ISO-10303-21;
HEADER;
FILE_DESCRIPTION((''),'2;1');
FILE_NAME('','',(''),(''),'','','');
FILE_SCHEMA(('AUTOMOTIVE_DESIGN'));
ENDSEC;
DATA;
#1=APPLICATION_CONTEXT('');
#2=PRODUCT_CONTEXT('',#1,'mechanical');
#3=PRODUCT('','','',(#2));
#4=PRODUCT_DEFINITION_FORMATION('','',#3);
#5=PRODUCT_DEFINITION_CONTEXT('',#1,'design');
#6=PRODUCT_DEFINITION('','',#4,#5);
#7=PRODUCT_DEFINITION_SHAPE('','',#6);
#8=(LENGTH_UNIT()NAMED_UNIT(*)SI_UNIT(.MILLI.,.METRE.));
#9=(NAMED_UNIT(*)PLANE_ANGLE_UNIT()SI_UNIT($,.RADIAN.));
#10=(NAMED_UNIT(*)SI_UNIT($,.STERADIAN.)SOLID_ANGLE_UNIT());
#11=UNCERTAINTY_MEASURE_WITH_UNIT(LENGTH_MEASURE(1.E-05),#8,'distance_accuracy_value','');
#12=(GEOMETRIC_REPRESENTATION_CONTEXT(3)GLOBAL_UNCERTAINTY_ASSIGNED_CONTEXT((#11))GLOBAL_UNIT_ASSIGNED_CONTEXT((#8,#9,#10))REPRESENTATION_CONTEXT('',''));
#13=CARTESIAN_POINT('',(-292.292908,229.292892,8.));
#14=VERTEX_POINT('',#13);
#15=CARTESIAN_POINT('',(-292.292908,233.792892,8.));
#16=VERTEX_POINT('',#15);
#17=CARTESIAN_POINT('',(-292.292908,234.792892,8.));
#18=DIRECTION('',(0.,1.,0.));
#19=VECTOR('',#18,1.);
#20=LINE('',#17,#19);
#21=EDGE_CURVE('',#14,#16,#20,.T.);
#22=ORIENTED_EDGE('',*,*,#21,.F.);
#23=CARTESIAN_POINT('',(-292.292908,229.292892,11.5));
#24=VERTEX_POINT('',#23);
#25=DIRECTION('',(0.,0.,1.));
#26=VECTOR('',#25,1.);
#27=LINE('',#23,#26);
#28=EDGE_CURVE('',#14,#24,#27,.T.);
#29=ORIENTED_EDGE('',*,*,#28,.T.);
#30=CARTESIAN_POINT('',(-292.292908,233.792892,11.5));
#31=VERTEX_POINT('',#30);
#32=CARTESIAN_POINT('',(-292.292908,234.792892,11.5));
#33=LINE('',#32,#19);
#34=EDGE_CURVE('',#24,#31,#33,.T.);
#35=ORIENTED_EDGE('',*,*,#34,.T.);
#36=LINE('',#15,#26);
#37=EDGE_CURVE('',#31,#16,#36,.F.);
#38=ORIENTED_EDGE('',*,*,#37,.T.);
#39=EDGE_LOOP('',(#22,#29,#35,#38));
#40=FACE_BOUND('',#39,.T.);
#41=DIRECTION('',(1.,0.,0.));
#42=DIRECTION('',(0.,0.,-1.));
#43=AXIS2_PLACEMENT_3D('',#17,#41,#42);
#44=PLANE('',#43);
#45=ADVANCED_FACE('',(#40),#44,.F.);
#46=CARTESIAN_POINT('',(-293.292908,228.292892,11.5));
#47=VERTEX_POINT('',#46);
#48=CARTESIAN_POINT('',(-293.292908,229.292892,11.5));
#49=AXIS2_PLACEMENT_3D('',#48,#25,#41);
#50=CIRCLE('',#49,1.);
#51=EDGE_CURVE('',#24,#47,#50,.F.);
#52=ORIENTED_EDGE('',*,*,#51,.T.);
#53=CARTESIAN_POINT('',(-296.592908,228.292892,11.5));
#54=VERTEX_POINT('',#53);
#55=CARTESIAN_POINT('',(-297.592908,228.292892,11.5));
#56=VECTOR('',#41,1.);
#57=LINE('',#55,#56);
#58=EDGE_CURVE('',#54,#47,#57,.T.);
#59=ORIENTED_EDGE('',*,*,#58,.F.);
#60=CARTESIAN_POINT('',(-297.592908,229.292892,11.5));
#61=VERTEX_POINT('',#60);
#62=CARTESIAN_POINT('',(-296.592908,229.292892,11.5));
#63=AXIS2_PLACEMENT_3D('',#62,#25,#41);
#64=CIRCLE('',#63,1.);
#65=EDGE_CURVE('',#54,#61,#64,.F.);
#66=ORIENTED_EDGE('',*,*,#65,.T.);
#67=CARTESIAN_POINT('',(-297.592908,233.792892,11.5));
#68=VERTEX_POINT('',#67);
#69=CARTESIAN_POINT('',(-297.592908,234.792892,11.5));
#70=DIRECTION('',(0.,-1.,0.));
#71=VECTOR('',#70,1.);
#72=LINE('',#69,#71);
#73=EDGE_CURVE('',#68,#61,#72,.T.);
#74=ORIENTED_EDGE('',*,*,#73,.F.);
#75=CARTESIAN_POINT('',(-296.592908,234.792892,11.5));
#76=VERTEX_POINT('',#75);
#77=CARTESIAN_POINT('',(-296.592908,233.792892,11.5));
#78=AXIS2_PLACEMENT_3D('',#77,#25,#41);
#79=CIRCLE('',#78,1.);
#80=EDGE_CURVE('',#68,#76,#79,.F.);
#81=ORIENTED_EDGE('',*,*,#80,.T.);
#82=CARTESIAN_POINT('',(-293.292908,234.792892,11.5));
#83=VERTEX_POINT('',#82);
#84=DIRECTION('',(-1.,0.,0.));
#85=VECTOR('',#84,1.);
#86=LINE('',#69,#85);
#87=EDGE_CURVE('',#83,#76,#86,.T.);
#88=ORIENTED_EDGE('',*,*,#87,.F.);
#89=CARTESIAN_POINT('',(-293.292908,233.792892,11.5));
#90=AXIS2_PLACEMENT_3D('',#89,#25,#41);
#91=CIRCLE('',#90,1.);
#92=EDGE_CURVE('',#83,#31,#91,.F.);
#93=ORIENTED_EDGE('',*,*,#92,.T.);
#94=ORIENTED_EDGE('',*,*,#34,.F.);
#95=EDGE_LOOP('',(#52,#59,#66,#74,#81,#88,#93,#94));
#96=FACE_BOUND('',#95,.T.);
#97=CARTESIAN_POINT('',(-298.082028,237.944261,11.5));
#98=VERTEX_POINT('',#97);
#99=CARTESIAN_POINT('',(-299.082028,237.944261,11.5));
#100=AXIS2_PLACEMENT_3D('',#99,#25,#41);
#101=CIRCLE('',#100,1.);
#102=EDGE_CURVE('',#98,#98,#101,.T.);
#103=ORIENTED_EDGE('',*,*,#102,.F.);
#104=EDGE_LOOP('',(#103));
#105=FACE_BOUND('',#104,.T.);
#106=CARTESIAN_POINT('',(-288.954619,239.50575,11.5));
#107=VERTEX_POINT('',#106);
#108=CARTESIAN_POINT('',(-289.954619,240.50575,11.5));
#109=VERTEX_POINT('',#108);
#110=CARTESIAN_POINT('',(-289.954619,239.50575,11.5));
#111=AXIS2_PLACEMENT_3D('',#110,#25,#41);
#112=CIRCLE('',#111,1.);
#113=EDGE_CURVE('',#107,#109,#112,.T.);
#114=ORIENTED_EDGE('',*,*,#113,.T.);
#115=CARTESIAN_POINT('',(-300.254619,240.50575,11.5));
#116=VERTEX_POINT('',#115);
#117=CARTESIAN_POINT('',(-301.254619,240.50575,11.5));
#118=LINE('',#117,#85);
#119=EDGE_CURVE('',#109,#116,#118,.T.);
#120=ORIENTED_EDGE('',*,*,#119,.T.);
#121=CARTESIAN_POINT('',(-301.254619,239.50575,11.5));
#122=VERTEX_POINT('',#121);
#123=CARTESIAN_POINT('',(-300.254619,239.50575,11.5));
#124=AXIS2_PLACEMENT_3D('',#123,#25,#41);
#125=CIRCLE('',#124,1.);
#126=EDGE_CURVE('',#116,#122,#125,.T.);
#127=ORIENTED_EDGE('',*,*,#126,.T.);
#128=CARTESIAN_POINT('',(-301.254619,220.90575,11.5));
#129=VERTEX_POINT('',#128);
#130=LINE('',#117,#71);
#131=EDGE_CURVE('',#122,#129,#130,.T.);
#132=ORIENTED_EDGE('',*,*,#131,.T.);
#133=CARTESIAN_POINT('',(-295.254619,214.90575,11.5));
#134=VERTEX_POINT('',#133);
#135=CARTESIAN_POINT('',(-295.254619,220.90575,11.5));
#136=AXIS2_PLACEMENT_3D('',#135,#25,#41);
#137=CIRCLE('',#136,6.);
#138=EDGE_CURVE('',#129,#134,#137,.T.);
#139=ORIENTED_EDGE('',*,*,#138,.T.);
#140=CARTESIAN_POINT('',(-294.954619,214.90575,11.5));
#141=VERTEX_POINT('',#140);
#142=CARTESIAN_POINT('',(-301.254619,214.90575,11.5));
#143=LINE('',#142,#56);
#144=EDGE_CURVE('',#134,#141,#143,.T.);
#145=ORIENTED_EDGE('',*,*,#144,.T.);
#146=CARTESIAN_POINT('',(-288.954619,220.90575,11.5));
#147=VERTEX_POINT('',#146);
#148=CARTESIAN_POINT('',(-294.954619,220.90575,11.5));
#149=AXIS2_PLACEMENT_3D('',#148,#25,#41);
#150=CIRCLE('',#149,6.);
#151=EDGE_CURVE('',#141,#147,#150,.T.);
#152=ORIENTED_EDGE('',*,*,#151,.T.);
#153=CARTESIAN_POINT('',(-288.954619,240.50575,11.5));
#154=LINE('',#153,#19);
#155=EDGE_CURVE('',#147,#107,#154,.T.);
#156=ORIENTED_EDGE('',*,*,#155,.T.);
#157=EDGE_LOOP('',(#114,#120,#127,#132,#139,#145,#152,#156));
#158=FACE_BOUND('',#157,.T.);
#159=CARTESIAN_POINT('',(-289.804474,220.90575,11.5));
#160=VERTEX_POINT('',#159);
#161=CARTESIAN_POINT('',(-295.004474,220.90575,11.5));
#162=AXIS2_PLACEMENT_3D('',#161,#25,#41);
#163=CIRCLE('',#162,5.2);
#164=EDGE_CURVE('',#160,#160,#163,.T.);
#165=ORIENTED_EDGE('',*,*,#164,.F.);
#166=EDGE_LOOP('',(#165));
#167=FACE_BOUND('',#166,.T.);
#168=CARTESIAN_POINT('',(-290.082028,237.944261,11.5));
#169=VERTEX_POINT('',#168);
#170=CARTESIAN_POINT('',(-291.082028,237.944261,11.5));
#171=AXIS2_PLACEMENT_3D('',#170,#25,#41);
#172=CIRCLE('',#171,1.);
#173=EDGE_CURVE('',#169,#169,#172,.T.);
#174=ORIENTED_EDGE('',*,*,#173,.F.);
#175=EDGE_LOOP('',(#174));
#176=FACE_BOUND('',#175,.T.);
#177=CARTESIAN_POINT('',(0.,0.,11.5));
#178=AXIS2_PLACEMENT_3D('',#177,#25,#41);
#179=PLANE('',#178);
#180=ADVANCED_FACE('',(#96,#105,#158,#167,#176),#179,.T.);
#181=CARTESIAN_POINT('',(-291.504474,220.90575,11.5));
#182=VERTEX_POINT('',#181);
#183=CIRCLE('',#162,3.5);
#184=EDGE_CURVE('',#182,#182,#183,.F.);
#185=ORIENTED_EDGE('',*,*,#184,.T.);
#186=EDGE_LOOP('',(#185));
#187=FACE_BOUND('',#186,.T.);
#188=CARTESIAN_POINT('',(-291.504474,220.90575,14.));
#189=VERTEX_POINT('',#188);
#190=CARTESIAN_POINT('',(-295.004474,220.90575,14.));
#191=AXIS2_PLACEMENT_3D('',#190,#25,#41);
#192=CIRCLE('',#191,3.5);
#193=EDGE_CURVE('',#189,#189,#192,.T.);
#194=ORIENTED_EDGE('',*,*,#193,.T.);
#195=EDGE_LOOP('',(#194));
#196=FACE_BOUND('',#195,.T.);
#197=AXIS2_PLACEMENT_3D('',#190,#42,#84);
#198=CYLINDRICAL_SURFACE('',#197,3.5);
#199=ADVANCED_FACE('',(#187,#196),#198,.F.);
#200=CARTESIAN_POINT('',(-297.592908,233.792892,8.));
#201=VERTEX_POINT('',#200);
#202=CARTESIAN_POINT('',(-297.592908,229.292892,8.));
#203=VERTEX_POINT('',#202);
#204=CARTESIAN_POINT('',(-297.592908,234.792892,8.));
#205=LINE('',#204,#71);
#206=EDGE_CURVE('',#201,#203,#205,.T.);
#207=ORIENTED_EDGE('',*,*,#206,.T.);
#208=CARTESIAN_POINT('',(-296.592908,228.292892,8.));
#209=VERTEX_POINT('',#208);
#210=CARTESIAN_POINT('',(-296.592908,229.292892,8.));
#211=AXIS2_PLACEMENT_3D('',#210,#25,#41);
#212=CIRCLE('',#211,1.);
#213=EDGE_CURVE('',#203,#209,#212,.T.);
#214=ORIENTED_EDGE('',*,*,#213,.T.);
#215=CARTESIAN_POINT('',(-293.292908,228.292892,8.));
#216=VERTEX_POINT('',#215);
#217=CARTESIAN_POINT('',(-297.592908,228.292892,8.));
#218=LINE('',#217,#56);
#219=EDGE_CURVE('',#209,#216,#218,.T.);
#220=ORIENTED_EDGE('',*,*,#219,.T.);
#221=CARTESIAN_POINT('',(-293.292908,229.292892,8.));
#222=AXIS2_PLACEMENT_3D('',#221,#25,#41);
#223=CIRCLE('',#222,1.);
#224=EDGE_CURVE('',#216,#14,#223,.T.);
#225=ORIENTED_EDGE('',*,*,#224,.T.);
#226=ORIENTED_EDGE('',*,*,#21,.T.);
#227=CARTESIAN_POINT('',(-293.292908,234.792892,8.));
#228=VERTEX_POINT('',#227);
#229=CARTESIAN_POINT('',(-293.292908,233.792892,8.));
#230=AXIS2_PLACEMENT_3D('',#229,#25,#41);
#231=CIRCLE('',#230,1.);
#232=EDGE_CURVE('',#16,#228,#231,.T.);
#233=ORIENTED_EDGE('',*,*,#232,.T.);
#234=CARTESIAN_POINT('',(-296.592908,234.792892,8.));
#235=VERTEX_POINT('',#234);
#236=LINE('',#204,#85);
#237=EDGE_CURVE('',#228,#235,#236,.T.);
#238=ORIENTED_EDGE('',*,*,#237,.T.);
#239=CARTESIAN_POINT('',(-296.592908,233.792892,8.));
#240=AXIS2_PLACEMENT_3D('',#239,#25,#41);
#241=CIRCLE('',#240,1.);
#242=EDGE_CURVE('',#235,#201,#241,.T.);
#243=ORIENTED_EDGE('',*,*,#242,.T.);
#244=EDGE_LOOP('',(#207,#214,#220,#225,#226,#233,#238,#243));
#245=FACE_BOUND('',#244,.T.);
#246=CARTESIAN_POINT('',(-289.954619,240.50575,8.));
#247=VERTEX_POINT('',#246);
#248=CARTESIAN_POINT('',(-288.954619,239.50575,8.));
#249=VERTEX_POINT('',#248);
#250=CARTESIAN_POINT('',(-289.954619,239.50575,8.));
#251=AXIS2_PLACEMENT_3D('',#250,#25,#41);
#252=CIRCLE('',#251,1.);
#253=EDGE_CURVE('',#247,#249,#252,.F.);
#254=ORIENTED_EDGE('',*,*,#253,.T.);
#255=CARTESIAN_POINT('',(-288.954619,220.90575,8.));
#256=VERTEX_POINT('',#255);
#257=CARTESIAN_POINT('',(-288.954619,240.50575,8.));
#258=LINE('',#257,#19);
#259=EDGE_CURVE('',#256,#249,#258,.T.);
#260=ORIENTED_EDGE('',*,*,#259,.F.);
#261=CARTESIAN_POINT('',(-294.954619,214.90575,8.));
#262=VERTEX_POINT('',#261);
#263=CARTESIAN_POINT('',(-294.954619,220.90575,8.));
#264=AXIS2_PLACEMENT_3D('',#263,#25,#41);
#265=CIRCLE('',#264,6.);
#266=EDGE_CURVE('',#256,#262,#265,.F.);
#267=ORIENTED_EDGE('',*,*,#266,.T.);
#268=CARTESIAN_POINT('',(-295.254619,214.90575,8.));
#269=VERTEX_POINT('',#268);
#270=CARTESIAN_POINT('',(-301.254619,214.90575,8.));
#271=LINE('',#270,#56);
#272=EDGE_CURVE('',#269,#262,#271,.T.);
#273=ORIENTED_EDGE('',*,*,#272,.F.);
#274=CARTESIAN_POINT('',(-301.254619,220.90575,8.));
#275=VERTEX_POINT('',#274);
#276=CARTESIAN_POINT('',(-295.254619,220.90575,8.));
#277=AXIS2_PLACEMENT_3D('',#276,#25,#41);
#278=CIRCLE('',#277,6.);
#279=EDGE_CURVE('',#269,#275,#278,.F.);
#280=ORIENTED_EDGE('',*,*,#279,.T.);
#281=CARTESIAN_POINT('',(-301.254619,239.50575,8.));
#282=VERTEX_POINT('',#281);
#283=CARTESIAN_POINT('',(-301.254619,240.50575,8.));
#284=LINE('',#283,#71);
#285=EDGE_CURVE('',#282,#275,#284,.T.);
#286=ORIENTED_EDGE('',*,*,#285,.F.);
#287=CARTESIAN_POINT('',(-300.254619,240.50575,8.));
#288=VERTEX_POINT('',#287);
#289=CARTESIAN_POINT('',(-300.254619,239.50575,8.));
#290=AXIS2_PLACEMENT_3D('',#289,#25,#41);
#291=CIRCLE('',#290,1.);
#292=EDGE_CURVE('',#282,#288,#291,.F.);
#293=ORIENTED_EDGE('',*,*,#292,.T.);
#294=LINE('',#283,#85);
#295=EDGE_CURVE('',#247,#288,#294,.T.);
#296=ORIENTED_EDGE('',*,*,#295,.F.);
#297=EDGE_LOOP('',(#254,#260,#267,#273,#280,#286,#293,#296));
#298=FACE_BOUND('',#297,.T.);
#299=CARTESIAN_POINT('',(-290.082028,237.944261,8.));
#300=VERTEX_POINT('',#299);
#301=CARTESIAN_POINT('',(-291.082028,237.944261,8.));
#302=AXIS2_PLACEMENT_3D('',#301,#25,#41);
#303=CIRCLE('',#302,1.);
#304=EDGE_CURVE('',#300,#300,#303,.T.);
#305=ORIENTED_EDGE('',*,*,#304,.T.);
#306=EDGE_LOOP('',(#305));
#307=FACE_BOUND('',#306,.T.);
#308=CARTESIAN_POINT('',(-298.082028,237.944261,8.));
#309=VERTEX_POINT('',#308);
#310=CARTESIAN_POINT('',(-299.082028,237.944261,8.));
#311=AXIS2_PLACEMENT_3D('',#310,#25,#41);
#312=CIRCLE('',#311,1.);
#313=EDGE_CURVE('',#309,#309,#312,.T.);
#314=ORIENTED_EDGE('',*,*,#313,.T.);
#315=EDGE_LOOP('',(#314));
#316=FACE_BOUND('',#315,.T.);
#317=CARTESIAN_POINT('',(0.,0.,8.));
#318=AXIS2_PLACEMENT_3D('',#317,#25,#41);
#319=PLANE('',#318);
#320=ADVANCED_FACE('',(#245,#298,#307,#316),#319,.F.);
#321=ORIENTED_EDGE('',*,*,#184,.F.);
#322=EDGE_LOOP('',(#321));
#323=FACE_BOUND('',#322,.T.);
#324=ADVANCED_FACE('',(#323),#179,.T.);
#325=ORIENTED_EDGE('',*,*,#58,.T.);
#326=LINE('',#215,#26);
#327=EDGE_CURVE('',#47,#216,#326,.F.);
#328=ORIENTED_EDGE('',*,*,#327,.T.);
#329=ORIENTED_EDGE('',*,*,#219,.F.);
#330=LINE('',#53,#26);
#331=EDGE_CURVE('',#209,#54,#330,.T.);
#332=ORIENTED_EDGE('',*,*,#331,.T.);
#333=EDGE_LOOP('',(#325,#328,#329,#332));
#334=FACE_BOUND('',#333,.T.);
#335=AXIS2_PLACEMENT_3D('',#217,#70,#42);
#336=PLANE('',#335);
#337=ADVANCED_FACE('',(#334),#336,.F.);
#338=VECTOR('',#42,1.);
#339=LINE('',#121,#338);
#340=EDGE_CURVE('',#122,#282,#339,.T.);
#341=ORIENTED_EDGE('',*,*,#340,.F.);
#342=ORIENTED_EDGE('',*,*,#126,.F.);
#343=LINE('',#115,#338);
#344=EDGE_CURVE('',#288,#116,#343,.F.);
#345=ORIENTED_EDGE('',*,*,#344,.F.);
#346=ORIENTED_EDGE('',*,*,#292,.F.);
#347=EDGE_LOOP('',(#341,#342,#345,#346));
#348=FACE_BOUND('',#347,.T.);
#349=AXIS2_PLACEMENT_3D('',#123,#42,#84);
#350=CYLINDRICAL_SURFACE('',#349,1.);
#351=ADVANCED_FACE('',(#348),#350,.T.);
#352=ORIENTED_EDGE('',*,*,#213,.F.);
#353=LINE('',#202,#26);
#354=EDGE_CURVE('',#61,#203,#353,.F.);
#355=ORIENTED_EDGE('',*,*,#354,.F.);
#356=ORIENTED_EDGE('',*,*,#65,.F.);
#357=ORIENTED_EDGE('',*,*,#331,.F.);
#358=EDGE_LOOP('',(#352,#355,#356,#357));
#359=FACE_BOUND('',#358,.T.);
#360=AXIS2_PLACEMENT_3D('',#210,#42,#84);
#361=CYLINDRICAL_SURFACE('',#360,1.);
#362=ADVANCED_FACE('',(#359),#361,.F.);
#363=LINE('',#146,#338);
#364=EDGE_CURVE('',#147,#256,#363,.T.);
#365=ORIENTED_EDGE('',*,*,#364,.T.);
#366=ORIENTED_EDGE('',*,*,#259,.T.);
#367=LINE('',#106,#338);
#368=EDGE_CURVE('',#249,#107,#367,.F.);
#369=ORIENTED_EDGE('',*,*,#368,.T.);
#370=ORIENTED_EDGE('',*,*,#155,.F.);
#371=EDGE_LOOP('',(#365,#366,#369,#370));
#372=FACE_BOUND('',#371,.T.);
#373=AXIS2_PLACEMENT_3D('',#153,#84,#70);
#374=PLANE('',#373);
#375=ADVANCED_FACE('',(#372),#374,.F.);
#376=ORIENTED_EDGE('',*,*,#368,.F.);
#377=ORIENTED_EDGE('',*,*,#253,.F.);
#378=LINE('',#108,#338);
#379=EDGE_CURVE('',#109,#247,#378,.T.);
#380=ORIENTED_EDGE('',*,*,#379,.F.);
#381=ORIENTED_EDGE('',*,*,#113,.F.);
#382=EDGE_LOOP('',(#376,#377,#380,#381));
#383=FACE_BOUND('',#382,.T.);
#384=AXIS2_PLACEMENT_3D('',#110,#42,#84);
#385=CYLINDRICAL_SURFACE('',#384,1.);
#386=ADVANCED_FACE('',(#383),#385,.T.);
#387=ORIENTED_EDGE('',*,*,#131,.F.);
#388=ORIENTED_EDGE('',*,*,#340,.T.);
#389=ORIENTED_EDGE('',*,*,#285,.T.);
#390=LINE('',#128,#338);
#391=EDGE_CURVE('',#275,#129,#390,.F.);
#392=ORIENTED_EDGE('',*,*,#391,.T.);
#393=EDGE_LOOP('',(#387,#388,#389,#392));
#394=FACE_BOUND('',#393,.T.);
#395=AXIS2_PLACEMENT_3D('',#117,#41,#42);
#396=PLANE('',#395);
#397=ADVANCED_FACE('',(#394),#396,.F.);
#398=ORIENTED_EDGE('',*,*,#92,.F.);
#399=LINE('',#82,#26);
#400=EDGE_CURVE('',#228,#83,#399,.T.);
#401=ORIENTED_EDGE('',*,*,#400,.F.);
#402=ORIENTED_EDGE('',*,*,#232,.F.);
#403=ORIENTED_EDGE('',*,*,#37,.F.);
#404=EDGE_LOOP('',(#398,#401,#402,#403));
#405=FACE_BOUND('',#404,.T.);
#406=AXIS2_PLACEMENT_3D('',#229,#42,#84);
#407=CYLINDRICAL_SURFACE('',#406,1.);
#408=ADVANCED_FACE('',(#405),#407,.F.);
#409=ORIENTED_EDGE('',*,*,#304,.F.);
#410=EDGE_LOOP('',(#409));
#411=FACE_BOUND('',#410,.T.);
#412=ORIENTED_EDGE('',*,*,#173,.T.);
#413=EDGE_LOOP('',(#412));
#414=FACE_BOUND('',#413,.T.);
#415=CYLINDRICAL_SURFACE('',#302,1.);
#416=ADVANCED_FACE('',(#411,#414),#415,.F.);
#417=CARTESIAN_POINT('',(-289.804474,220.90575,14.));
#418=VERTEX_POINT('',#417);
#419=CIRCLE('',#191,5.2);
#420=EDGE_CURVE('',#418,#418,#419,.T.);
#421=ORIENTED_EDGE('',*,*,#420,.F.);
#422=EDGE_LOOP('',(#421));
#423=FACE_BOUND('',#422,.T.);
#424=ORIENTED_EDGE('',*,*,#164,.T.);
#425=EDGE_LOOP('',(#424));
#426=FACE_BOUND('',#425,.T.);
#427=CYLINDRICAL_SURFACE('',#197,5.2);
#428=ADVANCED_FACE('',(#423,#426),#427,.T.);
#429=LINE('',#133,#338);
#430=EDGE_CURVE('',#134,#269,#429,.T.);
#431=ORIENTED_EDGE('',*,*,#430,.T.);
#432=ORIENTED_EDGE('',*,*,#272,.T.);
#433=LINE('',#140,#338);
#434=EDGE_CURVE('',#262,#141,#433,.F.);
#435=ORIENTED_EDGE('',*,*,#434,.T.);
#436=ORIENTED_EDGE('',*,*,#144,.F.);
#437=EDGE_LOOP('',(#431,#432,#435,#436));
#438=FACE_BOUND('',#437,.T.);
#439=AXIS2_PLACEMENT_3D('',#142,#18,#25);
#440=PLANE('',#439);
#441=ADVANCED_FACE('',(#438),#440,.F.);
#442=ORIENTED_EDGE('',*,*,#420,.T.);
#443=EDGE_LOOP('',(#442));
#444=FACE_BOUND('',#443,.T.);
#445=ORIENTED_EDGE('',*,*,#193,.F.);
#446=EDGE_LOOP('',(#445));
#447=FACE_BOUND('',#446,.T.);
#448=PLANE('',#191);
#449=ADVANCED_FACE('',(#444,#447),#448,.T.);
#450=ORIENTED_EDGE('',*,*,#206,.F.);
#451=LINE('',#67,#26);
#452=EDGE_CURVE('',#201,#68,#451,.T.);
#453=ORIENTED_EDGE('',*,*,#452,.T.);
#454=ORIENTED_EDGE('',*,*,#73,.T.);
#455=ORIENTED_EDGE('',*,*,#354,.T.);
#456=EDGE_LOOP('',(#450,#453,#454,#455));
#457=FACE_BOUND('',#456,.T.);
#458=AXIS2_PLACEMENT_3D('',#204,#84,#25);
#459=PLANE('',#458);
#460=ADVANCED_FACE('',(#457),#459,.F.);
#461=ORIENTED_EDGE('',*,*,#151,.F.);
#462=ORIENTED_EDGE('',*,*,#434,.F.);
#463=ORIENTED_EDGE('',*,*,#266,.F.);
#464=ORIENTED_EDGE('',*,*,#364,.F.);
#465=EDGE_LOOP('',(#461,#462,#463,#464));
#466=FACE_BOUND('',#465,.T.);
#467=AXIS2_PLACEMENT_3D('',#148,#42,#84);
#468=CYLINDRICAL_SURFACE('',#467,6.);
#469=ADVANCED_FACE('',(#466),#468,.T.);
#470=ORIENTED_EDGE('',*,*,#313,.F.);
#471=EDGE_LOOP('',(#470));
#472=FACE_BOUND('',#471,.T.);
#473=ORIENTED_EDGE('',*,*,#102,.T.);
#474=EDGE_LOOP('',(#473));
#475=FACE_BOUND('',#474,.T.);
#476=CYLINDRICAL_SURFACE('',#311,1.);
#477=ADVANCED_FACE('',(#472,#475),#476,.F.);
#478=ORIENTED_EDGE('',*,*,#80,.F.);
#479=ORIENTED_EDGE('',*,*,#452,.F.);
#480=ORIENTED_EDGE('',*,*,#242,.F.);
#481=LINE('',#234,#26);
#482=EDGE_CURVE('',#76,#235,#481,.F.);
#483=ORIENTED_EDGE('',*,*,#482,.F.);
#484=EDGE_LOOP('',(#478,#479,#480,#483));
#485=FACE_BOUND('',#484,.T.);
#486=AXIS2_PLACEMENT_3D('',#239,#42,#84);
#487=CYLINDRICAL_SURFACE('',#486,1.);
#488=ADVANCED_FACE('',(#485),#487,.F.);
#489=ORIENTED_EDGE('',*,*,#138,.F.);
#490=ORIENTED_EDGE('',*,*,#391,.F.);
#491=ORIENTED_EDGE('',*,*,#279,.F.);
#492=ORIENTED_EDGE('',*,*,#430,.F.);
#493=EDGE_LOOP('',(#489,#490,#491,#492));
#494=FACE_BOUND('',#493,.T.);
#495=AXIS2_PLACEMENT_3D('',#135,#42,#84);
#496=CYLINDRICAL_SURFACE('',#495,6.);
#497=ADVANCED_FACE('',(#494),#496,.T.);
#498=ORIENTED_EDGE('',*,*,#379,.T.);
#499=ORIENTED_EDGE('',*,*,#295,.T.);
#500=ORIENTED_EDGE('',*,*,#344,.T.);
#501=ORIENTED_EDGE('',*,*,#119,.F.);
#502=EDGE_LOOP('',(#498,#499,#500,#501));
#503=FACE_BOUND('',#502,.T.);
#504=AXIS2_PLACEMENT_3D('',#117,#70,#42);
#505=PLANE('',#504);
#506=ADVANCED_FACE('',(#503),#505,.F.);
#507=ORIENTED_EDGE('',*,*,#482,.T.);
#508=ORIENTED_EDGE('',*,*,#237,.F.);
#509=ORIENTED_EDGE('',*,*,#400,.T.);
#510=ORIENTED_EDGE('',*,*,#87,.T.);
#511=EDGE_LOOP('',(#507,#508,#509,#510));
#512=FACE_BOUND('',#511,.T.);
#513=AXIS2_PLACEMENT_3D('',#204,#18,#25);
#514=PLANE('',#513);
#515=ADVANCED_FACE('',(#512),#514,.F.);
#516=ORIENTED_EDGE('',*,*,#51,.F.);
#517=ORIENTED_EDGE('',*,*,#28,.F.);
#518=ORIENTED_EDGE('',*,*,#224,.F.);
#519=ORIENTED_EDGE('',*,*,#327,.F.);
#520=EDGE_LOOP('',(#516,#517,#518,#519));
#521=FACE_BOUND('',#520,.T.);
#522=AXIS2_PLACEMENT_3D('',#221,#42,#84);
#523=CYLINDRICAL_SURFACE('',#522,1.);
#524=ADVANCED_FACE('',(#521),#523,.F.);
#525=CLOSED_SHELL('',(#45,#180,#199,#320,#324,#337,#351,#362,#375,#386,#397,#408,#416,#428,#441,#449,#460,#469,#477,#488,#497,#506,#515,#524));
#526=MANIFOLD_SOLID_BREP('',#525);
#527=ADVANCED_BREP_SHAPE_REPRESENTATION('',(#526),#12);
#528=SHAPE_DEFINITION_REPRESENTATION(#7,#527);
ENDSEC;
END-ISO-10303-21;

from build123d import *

# Parameters (mm, degrees)
SKETCH2_W           = 12.3
SKETCH2_H           = 25.6
BOSS_EXTRUDE2_DEPTH = 3.5
SKETCH3_R           = 1
SKETCH3_W           = 5.3
SKETCH3_H           = 6.5
CUT_EXTRUDE1_DEPTH  = 3.5
FILLET1_R           = 1
FILLET2_R           = 6
SKETCH4_R           = 5.2
SKETCH4_R_2         = 3.5
BOSS_EXTRUDE3_DEPTH = 2.5


with BuildPart() as part:
    # Sketch2 → Boss-Extrude2 (new body)
    with BuildSketch(Plane.XY.offset(8)):
        with Locations((-295.104618969, 227.705749953)):
            Rectangle(SKETCH2_W, SKETCH2_H)
    extrude(amount=BOSS_EXTRUDE2_DEPTH)

    # Sketch3 → Cut-Extrude1 (cut)
    with BuildSketch(Plane.XY.offset(11.5)):
        with Locations((-299.082028179, 237.944260964)):
            Circle(SKETCH3_R)
        with Locations((-291.082028179, 237.944260964)):
            Circle(SKETCH3_R)
        with Locations((-294.942907715, 231.542892456)):
            Rectangle(SKETCH3_W, SKETCH3_H)
    extrude(amount=-CUT_EXTRUDE1_DEPTH, mode=Mode.SUBTRACT)

    # Fillet1
    fillet1_edges = [part.edges().sort_by_distance(p)[0] for p in [
        (-297.592907715, 228.292892456, 9.75),
        (-297.592907715, 234.792892456, 9.75),
        (-292.292907715, 234.792892456, 9.75),
        (-292.292907715, 228.292892456, 9.75),
        (-301.254618969, 240.505749953, 9.75),
        (-288.954618969, 240.505749953, 9.75),
    ]]
    fillet(fillet1_edges, radius=FILLET1_R)

    # Fillet2
    fillet2_edges = [part.edges().sort_by_distance(p)[0] for p in [
        (-288.954618969, 214.905749953, 9.75),
        (-301.254618969, 214.905749953, 9.75),
    ]]
    fillet(fillet2_edges, radius=FILLET2_R)

    # Sketch4 → Boss-Extrude3 (add)
    with BuildSketch(Plane.XY.offset(11.5)):
        with Locations((-295.004474021, 220.905749953)):
            Circle(SKETCH4_R)
        with Locations((-295.004474021, 220.905749953)):
            Circle(SKETCH4_R_2, mode=Mode.SUBTRACT)
    extrude(amount=BOSS_EXTRUDE3_DEPTH)


solid = part.part
